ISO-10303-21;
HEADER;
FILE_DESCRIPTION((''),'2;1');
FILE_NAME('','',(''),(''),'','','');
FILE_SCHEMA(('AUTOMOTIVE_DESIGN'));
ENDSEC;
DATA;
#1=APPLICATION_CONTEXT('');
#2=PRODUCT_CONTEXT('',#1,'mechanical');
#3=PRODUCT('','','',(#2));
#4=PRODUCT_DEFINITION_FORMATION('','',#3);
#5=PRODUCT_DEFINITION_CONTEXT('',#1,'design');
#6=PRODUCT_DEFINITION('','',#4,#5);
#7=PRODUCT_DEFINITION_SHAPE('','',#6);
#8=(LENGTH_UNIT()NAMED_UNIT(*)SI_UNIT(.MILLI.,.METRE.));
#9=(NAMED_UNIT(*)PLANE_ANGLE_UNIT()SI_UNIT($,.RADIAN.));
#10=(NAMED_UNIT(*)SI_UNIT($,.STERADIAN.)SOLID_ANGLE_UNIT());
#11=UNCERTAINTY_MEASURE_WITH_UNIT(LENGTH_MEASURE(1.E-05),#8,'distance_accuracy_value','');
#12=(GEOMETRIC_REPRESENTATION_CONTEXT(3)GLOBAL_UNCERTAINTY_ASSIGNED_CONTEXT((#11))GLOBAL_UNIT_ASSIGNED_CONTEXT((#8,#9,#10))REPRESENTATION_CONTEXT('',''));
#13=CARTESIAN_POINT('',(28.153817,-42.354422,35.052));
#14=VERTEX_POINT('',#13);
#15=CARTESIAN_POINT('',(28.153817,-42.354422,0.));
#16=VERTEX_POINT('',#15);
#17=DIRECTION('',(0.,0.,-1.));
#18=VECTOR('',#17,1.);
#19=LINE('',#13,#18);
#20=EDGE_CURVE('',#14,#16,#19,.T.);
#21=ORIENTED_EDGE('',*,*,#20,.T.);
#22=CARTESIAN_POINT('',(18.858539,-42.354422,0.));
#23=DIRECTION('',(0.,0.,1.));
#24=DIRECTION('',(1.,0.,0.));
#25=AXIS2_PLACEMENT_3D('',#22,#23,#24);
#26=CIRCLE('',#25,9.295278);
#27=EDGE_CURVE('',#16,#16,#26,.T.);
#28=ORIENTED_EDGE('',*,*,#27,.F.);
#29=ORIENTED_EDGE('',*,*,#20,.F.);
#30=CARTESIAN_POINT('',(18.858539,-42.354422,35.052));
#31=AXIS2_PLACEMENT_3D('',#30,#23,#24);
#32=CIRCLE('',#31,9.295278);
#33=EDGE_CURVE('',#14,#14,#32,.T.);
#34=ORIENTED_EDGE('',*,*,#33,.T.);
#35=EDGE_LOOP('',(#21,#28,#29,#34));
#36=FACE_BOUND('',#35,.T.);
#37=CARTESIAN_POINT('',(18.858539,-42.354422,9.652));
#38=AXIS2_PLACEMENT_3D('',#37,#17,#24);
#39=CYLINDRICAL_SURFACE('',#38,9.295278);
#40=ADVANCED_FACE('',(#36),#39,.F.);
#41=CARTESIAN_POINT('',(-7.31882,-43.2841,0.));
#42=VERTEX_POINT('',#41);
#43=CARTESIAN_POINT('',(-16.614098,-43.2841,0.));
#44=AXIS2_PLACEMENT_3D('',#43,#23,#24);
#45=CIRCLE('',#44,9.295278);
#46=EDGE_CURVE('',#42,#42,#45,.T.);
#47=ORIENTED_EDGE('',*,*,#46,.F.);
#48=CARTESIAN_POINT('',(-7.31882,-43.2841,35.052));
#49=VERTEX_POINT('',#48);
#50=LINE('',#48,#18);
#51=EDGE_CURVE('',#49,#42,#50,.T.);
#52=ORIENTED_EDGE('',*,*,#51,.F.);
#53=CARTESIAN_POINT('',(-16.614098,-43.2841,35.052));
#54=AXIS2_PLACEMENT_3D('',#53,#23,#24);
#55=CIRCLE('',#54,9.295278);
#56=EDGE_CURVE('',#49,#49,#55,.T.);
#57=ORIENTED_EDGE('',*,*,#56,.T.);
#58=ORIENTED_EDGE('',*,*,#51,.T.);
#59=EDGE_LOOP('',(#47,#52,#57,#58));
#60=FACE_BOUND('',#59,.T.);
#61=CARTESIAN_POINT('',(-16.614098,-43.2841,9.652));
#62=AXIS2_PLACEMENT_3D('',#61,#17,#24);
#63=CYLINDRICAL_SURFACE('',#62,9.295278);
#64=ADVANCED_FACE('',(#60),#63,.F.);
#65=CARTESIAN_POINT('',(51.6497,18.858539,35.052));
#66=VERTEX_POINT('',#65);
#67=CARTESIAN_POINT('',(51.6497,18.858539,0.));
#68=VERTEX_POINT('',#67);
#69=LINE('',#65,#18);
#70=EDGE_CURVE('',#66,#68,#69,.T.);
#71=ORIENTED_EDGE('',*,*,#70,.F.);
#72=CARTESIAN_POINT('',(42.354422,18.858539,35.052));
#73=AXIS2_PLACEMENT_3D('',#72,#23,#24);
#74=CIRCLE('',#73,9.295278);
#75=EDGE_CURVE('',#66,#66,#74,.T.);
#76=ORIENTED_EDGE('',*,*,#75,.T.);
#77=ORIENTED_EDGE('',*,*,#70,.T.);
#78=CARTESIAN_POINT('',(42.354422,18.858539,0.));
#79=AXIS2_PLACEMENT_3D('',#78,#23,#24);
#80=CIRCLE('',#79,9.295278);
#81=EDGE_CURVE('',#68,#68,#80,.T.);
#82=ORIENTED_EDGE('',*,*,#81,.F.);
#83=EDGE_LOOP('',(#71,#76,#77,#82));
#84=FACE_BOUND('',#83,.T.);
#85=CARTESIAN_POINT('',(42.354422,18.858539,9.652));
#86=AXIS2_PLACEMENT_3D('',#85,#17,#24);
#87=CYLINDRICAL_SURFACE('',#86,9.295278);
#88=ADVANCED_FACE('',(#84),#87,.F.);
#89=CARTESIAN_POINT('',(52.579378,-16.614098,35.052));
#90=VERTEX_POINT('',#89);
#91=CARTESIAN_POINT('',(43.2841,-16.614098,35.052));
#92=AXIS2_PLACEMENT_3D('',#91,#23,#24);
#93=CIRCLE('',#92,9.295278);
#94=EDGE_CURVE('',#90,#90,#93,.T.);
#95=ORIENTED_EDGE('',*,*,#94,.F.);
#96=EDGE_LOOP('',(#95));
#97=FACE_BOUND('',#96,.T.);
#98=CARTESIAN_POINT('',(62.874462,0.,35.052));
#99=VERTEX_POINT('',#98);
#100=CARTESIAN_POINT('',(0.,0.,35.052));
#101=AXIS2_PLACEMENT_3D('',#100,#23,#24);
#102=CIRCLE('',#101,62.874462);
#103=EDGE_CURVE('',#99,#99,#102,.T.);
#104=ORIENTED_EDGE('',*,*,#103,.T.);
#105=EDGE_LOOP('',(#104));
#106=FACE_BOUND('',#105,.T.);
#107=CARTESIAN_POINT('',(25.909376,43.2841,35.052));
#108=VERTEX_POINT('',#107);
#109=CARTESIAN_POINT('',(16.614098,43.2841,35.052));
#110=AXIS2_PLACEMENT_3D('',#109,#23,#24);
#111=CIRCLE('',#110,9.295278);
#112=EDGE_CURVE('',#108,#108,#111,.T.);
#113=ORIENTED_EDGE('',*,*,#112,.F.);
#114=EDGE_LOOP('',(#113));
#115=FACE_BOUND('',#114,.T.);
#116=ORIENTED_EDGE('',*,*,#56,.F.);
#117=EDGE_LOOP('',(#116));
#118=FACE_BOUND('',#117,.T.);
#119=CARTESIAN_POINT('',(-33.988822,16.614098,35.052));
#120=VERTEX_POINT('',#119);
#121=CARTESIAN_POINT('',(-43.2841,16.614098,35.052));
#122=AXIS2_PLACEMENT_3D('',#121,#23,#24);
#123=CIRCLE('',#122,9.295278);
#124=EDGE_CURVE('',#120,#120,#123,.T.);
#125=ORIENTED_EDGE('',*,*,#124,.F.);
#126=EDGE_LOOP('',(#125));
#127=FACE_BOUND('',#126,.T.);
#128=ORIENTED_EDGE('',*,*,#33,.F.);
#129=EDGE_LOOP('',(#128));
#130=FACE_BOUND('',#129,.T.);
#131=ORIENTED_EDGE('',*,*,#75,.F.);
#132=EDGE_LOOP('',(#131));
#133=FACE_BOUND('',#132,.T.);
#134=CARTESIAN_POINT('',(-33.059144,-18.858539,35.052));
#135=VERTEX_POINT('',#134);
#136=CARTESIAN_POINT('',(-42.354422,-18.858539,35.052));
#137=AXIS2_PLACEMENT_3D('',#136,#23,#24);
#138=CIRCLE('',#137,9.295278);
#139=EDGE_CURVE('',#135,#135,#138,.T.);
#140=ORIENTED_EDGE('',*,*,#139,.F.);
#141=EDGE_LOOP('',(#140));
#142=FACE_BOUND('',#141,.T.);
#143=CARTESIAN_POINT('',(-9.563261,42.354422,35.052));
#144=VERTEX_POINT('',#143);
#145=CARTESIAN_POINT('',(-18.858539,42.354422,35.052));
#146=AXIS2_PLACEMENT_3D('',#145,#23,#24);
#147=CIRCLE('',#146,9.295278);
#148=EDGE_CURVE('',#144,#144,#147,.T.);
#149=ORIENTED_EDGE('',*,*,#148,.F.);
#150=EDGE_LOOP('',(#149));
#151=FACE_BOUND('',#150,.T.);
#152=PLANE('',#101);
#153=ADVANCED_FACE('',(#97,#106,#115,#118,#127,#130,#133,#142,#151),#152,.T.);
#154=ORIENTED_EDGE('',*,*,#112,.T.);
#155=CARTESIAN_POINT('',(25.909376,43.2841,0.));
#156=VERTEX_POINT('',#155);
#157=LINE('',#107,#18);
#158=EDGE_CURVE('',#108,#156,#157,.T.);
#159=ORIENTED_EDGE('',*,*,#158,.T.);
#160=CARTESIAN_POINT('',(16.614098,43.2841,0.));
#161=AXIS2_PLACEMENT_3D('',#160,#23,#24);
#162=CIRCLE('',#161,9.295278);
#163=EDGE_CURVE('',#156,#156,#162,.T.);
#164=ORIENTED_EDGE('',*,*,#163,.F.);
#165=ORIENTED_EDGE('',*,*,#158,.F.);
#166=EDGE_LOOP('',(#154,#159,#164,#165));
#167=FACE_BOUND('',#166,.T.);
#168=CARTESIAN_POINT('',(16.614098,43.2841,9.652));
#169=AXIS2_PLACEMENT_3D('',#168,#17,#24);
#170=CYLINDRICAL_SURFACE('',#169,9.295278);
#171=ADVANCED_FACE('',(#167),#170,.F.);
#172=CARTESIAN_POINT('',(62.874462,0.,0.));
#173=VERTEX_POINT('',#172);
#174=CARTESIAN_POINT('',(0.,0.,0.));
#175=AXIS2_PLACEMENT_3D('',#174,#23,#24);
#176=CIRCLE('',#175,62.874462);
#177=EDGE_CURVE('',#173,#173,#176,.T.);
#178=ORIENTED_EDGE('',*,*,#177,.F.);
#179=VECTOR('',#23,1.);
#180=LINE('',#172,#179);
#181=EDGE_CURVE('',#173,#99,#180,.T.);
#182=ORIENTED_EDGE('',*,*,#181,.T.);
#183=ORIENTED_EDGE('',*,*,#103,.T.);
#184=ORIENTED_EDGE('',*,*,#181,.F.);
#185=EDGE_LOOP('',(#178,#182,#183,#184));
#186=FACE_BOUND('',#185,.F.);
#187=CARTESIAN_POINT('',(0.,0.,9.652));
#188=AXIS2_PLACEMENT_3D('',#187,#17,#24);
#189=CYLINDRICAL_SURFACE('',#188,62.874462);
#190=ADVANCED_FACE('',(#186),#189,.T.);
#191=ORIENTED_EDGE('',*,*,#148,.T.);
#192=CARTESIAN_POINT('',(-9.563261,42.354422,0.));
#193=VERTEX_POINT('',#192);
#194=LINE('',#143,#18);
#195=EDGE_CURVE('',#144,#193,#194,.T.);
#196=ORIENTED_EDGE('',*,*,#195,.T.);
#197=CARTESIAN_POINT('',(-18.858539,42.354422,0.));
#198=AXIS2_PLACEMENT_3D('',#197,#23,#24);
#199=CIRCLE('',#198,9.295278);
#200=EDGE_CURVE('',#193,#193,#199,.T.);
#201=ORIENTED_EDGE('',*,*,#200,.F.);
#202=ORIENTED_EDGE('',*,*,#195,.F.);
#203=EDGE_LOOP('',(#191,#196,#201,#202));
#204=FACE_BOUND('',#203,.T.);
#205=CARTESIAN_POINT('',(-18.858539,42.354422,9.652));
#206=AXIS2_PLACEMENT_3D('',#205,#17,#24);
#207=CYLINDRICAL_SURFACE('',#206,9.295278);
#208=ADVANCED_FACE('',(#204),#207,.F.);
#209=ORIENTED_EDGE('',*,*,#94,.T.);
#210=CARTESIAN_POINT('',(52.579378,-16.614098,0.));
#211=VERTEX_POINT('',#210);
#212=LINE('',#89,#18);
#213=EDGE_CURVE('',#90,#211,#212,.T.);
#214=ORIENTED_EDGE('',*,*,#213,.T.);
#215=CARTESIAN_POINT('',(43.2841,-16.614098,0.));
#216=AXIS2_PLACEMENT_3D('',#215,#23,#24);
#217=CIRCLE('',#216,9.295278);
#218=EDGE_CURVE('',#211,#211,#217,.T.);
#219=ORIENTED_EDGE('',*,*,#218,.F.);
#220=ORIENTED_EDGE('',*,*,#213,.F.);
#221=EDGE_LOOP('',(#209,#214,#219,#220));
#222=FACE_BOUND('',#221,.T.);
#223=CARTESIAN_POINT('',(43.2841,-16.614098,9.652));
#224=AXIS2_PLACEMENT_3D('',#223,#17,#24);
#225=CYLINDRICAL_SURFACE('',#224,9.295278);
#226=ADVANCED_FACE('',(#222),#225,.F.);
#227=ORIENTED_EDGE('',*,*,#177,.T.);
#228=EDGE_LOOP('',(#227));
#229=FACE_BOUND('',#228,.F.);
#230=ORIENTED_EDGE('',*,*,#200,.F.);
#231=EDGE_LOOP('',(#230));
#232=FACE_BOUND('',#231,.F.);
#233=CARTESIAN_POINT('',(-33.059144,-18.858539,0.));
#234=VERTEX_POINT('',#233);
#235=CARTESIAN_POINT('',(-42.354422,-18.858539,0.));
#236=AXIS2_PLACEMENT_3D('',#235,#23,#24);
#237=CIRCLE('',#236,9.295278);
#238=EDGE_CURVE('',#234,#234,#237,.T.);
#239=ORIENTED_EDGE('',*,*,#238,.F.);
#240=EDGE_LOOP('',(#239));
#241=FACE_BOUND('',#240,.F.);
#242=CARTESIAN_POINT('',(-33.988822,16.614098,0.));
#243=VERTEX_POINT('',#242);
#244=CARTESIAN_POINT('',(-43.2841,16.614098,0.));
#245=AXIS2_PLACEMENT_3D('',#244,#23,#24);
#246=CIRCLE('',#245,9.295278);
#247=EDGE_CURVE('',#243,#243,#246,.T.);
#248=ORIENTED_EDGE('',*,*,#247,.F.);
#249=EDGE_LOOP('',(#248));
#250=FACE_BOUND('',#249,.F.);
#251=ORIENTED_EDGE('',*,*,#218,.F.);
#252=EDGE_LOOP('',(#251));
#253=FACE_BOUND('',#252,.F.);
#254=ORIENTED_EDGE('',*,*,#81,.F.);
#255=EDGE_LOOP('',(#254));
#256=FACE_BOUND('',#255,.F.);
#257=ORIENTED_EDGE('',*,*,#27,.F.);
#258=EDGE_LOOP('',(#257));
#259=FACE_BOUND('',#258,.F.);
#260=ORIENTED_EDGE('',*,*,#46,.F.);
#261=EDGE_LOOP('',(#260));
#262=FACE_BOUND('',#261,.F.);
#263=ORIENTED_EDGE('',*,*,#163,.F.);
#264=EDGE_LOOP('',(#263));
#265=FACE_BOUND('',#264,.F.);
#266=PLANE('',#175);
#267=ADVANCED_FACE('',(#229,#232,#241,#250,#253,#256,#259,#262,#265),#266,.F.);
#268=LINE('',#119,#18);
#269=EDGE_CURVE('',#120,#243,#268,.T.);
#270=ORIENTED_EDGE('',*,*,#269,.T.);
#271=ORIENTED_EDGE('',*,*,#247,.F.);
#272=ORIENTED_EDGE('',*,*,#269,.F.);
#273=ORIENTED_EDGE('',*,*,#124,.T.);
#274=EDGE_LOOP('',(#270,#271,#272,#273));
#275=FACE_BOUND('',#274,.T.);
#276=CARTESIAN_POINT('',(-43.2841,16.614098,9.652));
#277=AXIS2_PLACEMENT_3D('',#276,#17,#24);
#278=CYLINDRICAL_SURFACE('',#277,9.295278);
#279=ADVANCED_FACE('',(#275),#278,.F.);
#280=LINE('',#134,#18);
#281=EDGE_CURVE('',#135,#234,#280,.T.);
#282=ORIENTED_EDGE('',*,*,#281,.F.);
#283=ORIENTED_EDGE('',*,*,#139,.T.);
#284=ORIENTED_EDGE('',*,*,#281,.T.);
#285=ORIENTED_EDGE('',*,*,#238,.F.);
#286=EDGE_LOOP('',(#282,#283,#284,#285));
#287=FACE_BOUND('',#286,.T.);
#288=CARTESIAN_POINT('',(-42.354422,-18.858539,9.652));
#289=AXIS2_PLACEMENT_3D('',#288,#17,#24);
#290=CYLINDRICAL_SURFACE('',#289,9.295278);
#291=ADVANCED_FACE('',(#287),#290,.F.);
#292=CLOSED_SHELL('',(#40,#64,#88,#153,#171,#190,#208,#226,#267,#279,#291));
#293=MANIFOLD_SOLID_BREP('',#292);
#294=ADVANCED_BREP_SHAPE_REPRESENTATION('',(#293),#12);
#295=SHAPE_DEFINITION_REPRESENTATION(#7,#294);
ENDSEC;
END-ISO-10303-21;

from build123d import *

# Parameters (mm, degrees)
F0_R        = 62.874462
F0_R_2      = 9.295278
F1_DEPTH    = 9.652
F1_FACE_R   = 62.874462
F1_FACE_R_2 = 9.295278
F2_DEPTH    = 25.4


with BuildPart() as f1:
    # F0 (on Top) → F1 (new body)
    with BuildSketch(Plane.XY):
        Circle(F0_R)
        with Locations((-16.614098, -43.2841)):
            Circle(F0_R_2, mode=Mode.SUBTRACT)
        with Locations((-42.354422, -18.858539)):
            Circle(F0_R_2, mode=Mode.SUBTRACT)
        with Locations((18.858539, -42.354422)):
            Circle(F0_R_2, mode=Mode.SUBTRACT)
        with Locations((43.2841, -16.614098)):
            Circle(F0_R_2, mode=Mode.SUBTRACT)
        with Locations((-43.2841, 16.614098)):
            Circle(F0_R_2, mode=Mode.SUBTRACT)
        with Locations((-18.858539, 42.354422)):
            Circle(F0_R_2, mode=Mode.SUBTRACT)
        with Locations((42.354422, 18.858539)):
            Circle(F0_R_2, mode=Mode.SUBTRACT)
        with Locations((16.614098, 43.2841)):
            Circle(F0_R_2, mode=Mode.SUBTRACT)
    extrude(amount=F1_DEPTH)

    # F1_face (on face) → F2 (join)
    with BuildSketch(Plane.XY.offset(9.652)):
        Circle(F1_FACE_R)
        with Locations((-16.614098, -43.2841)):
            Circle(F1_FACE_R_2, mode=Mode.SUBTRACT)
        with Locations((-42.354422, -18.858539)):
            Circle(F1_FACE_R_2, mode=Mode.SUBTRACT)
        with Locations((18.858539, -42.354422)):
            Circle(F1_FACE_R_2, mode=Mode.SUBTRACT)
        with Locations((43.2841, -16.614098)):
            Circle(F1_FACE_R_2, mode=Mode.SUBTRACT)
        with Locations((-43.2841, 16.614098)):
            Circle(F1_FACE_R_2, mode=Mode.SUBTRACT)
        with Locations((-18.858539, 42.354422)):
            Circle(F1_FACE_R_2, mode=Mode.SUBTRACT)
        with Locations((42.354422, 18.858539)):
            Circle(F1_FACE_R_2, mode=Mode.SUBTRACT)
        with Locations((16.614098, 43.2841)):
            Circle(F1_FACE_R_2, mode=Mode.SUBTRACT)
    extrude(amount=F2_DEPTH)


solid = f1.part
